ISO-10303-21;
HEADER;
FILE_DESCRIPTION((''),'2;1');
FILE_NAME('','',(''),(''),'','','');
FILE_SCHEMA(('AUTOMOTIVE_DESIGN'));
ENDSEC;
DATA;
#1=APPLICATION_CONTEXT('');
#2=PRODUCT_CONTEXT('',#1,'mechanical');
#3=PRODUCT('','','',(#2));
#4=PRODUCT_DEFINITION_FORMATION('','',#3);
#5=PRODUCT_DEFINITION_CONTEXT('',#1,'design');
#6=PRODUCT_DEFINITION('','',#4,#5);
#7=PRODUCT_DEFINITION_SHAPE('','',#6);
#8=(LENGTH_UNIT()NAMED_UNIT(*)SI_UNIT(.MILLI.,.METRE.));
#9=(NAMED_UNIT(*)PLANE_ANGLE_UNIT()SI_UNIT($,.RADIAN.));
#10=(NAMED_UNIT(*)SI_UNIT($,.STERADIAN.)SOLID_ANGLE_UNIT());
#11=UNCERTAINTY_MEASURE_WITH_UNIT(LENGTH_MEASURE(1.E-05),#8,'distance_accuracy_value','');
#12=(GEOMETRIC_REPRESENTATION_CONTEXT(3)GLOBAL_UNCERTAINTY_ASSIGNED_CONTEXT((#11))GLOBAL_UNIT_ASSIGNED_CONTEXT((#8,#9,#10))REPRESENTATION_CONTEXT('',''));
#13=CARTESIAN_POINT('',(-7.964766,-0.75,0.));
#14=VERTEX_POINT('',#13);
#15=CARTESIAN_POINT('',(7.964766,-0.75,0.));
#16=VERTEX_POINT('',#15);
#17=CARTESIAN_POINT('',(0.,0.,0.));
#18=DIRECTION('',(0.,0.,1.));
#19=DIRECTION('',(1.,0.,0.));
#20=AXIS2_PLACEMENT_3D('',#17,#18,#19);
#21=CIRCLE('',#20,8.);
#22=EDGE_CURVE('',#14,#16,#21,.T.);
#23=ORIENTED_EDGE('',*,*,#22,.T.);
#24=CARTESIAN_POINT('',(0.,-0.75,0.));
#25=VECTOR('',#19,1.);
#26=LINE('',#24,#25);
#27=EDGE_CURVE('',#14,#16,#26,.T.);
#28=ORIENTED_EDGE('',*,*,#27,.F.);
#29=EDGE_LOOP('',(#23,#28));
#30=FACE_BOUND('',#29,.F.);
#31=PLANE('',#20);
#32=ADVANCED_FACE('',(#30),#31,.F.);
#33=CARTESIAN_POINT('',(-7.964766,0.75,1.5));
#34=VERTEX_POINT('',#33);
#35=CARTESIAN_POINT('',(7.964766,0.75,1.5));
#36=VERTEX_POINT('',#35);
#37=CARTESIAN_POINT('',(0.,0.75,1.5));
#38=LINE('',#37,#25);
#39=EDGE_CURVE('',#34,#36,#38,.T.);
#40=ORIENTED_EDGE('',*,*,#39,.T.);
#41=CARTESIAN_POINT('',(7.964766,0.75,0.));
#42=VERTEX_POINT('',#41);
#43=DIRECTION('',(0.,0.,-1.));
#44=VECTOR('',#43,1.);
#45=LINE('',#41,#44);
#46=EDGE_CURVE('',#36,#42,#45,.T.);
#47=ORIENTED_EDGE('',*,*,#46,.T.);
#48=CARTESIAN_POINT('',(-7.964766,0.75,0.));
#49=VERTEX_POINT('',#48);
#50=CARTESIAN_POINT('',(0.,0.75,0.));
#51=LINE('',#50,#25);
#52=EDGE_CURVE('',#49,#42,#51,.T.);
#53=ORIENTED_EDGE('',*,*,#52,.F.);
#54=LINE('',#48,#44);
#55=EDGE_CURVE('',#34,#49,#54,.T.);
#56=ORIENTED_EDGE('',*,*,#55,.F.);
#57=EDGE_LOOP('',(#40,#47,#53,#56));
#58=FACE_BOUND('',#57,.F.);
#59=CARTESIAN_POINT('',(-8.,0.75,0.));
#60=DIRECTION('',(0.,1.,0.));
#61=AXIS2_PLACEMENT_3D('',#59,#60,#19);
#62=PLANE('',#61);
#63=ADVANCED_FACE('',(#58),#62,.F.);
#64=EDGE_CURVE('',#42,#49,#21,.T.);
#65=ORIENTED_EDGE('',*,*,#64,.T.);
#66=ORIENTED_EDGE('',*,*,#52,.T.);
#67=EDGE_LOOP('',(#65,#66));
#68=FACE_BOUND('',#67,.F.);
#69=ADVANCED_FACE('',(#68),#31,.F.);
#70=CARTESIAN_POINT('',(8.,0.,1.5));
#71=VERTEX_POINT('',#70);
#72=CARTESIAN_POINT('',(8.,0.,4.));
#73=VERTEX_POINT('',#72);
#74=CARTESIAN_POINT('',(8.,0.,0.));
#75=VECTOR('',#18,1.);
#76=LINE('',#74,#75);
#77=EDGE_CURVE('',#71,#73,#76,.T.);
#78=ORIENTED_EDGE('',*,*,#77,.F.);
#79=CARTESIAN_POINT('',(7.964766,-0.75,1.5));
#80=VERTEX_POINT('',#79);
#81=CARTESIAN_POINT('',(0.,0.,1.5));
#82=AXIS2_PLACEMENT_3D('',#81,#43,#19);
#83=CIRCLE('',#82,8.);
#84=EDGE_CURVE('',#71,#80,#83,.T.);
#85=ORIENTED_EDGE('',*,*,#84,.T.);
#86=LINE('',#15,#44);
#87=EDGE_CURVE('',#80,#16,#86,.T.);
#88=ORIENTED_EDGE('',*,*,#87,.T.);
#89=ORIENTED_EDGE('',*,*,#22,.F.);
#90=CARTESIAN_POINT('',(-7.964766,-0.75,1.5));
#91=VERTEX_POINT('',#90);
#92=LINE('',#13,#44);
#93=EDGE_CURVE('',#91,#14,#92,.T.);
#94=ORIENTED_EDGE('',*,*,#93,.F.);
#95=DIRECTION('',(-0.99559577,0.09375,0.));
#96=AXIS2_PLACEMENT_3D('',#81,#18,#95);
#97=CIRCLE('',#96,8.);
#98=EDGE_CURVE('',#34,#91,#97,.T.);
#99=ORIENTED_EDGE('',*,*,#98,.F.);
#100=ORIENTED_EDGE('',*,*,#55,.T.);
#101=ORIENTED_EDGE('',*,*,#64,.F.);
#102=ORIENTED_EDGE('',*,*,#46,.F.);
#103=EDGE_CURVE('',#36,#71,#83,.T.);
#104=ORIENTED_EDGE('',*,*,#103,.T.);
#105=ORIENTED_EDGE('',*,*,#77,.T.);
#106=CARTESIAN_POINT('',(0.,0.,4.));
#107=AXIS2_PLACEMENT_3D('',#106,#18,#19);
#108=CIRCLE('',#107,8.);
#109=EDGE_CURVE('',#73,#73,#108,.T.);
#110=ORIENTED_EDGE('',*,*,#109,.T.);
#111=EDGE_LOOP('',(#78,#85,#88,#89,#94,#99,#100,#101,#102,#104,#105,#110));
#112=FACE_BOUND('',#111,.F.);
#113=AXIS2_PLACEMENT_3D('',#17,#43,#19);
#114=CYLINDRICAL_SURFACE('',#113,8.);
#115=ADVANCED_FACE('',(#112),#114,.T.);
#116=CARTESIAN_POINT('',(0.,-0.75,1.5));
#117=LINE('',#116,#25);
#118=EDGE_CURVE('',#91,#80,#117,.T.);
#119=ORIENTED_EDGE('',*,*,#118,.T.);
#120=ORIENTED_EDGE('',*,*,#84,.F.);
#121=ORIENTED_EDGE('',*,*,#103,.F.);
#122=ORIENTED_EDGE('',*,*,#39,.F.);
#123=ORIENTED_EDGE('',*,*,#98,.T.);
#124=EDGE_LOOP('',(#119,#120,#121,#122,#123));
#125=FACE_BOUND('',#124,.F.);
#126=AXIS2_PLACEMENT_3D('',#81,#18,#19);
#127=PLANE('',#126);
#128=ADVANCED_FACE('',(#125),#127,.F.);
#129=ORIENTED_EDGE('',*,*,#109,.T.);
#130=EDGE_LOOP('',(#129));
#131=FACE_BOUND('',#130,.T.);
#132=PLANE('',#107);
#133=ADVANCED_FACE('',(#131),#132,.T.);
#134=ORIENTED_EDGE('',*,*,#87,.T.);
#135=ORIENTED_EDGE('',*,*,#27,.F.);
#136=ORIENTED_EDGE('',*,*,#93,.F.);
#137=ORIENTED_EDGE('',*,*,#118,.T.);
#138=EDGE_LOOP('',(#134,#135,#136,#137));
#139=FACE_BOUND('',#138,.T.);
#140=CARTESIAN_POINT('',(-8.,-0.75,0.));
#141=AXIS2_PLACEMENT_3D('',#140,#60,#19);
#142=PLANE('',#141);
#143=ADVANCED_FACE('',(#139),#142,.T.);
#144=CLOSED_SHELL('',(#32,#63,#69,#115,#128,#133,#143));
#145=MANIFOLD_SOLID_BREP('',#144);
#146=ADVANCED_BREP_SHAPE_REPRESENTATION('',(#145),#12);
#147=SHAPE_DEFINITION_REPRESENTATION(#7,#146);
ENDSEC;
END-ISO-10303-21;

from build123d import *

# Parameters (mm, degrees)
SKETCH_R     = 8
PAD_DEPTH    = 4
SKETCH001_W  = 16
SKETCH001_H  = 1.5
POCKET_DEPTH = 1.5


with BuildPart() as part:
    # Sketch → Pad (new body)
    with BuildSketch(Plane.XY):
        Circle(SKETCH_R)
    extrude(amount=PAD_DEPTH)

    # Sketch001 → Pocket (cut)
    with BuildSketch(Plane.XY):
        Rectangle(SKETCH001_W, SKETCH001_H)
    extrude(amount=POCKET_DEPTH, mode=Mode.SUBTRACT)


solid = part.part
